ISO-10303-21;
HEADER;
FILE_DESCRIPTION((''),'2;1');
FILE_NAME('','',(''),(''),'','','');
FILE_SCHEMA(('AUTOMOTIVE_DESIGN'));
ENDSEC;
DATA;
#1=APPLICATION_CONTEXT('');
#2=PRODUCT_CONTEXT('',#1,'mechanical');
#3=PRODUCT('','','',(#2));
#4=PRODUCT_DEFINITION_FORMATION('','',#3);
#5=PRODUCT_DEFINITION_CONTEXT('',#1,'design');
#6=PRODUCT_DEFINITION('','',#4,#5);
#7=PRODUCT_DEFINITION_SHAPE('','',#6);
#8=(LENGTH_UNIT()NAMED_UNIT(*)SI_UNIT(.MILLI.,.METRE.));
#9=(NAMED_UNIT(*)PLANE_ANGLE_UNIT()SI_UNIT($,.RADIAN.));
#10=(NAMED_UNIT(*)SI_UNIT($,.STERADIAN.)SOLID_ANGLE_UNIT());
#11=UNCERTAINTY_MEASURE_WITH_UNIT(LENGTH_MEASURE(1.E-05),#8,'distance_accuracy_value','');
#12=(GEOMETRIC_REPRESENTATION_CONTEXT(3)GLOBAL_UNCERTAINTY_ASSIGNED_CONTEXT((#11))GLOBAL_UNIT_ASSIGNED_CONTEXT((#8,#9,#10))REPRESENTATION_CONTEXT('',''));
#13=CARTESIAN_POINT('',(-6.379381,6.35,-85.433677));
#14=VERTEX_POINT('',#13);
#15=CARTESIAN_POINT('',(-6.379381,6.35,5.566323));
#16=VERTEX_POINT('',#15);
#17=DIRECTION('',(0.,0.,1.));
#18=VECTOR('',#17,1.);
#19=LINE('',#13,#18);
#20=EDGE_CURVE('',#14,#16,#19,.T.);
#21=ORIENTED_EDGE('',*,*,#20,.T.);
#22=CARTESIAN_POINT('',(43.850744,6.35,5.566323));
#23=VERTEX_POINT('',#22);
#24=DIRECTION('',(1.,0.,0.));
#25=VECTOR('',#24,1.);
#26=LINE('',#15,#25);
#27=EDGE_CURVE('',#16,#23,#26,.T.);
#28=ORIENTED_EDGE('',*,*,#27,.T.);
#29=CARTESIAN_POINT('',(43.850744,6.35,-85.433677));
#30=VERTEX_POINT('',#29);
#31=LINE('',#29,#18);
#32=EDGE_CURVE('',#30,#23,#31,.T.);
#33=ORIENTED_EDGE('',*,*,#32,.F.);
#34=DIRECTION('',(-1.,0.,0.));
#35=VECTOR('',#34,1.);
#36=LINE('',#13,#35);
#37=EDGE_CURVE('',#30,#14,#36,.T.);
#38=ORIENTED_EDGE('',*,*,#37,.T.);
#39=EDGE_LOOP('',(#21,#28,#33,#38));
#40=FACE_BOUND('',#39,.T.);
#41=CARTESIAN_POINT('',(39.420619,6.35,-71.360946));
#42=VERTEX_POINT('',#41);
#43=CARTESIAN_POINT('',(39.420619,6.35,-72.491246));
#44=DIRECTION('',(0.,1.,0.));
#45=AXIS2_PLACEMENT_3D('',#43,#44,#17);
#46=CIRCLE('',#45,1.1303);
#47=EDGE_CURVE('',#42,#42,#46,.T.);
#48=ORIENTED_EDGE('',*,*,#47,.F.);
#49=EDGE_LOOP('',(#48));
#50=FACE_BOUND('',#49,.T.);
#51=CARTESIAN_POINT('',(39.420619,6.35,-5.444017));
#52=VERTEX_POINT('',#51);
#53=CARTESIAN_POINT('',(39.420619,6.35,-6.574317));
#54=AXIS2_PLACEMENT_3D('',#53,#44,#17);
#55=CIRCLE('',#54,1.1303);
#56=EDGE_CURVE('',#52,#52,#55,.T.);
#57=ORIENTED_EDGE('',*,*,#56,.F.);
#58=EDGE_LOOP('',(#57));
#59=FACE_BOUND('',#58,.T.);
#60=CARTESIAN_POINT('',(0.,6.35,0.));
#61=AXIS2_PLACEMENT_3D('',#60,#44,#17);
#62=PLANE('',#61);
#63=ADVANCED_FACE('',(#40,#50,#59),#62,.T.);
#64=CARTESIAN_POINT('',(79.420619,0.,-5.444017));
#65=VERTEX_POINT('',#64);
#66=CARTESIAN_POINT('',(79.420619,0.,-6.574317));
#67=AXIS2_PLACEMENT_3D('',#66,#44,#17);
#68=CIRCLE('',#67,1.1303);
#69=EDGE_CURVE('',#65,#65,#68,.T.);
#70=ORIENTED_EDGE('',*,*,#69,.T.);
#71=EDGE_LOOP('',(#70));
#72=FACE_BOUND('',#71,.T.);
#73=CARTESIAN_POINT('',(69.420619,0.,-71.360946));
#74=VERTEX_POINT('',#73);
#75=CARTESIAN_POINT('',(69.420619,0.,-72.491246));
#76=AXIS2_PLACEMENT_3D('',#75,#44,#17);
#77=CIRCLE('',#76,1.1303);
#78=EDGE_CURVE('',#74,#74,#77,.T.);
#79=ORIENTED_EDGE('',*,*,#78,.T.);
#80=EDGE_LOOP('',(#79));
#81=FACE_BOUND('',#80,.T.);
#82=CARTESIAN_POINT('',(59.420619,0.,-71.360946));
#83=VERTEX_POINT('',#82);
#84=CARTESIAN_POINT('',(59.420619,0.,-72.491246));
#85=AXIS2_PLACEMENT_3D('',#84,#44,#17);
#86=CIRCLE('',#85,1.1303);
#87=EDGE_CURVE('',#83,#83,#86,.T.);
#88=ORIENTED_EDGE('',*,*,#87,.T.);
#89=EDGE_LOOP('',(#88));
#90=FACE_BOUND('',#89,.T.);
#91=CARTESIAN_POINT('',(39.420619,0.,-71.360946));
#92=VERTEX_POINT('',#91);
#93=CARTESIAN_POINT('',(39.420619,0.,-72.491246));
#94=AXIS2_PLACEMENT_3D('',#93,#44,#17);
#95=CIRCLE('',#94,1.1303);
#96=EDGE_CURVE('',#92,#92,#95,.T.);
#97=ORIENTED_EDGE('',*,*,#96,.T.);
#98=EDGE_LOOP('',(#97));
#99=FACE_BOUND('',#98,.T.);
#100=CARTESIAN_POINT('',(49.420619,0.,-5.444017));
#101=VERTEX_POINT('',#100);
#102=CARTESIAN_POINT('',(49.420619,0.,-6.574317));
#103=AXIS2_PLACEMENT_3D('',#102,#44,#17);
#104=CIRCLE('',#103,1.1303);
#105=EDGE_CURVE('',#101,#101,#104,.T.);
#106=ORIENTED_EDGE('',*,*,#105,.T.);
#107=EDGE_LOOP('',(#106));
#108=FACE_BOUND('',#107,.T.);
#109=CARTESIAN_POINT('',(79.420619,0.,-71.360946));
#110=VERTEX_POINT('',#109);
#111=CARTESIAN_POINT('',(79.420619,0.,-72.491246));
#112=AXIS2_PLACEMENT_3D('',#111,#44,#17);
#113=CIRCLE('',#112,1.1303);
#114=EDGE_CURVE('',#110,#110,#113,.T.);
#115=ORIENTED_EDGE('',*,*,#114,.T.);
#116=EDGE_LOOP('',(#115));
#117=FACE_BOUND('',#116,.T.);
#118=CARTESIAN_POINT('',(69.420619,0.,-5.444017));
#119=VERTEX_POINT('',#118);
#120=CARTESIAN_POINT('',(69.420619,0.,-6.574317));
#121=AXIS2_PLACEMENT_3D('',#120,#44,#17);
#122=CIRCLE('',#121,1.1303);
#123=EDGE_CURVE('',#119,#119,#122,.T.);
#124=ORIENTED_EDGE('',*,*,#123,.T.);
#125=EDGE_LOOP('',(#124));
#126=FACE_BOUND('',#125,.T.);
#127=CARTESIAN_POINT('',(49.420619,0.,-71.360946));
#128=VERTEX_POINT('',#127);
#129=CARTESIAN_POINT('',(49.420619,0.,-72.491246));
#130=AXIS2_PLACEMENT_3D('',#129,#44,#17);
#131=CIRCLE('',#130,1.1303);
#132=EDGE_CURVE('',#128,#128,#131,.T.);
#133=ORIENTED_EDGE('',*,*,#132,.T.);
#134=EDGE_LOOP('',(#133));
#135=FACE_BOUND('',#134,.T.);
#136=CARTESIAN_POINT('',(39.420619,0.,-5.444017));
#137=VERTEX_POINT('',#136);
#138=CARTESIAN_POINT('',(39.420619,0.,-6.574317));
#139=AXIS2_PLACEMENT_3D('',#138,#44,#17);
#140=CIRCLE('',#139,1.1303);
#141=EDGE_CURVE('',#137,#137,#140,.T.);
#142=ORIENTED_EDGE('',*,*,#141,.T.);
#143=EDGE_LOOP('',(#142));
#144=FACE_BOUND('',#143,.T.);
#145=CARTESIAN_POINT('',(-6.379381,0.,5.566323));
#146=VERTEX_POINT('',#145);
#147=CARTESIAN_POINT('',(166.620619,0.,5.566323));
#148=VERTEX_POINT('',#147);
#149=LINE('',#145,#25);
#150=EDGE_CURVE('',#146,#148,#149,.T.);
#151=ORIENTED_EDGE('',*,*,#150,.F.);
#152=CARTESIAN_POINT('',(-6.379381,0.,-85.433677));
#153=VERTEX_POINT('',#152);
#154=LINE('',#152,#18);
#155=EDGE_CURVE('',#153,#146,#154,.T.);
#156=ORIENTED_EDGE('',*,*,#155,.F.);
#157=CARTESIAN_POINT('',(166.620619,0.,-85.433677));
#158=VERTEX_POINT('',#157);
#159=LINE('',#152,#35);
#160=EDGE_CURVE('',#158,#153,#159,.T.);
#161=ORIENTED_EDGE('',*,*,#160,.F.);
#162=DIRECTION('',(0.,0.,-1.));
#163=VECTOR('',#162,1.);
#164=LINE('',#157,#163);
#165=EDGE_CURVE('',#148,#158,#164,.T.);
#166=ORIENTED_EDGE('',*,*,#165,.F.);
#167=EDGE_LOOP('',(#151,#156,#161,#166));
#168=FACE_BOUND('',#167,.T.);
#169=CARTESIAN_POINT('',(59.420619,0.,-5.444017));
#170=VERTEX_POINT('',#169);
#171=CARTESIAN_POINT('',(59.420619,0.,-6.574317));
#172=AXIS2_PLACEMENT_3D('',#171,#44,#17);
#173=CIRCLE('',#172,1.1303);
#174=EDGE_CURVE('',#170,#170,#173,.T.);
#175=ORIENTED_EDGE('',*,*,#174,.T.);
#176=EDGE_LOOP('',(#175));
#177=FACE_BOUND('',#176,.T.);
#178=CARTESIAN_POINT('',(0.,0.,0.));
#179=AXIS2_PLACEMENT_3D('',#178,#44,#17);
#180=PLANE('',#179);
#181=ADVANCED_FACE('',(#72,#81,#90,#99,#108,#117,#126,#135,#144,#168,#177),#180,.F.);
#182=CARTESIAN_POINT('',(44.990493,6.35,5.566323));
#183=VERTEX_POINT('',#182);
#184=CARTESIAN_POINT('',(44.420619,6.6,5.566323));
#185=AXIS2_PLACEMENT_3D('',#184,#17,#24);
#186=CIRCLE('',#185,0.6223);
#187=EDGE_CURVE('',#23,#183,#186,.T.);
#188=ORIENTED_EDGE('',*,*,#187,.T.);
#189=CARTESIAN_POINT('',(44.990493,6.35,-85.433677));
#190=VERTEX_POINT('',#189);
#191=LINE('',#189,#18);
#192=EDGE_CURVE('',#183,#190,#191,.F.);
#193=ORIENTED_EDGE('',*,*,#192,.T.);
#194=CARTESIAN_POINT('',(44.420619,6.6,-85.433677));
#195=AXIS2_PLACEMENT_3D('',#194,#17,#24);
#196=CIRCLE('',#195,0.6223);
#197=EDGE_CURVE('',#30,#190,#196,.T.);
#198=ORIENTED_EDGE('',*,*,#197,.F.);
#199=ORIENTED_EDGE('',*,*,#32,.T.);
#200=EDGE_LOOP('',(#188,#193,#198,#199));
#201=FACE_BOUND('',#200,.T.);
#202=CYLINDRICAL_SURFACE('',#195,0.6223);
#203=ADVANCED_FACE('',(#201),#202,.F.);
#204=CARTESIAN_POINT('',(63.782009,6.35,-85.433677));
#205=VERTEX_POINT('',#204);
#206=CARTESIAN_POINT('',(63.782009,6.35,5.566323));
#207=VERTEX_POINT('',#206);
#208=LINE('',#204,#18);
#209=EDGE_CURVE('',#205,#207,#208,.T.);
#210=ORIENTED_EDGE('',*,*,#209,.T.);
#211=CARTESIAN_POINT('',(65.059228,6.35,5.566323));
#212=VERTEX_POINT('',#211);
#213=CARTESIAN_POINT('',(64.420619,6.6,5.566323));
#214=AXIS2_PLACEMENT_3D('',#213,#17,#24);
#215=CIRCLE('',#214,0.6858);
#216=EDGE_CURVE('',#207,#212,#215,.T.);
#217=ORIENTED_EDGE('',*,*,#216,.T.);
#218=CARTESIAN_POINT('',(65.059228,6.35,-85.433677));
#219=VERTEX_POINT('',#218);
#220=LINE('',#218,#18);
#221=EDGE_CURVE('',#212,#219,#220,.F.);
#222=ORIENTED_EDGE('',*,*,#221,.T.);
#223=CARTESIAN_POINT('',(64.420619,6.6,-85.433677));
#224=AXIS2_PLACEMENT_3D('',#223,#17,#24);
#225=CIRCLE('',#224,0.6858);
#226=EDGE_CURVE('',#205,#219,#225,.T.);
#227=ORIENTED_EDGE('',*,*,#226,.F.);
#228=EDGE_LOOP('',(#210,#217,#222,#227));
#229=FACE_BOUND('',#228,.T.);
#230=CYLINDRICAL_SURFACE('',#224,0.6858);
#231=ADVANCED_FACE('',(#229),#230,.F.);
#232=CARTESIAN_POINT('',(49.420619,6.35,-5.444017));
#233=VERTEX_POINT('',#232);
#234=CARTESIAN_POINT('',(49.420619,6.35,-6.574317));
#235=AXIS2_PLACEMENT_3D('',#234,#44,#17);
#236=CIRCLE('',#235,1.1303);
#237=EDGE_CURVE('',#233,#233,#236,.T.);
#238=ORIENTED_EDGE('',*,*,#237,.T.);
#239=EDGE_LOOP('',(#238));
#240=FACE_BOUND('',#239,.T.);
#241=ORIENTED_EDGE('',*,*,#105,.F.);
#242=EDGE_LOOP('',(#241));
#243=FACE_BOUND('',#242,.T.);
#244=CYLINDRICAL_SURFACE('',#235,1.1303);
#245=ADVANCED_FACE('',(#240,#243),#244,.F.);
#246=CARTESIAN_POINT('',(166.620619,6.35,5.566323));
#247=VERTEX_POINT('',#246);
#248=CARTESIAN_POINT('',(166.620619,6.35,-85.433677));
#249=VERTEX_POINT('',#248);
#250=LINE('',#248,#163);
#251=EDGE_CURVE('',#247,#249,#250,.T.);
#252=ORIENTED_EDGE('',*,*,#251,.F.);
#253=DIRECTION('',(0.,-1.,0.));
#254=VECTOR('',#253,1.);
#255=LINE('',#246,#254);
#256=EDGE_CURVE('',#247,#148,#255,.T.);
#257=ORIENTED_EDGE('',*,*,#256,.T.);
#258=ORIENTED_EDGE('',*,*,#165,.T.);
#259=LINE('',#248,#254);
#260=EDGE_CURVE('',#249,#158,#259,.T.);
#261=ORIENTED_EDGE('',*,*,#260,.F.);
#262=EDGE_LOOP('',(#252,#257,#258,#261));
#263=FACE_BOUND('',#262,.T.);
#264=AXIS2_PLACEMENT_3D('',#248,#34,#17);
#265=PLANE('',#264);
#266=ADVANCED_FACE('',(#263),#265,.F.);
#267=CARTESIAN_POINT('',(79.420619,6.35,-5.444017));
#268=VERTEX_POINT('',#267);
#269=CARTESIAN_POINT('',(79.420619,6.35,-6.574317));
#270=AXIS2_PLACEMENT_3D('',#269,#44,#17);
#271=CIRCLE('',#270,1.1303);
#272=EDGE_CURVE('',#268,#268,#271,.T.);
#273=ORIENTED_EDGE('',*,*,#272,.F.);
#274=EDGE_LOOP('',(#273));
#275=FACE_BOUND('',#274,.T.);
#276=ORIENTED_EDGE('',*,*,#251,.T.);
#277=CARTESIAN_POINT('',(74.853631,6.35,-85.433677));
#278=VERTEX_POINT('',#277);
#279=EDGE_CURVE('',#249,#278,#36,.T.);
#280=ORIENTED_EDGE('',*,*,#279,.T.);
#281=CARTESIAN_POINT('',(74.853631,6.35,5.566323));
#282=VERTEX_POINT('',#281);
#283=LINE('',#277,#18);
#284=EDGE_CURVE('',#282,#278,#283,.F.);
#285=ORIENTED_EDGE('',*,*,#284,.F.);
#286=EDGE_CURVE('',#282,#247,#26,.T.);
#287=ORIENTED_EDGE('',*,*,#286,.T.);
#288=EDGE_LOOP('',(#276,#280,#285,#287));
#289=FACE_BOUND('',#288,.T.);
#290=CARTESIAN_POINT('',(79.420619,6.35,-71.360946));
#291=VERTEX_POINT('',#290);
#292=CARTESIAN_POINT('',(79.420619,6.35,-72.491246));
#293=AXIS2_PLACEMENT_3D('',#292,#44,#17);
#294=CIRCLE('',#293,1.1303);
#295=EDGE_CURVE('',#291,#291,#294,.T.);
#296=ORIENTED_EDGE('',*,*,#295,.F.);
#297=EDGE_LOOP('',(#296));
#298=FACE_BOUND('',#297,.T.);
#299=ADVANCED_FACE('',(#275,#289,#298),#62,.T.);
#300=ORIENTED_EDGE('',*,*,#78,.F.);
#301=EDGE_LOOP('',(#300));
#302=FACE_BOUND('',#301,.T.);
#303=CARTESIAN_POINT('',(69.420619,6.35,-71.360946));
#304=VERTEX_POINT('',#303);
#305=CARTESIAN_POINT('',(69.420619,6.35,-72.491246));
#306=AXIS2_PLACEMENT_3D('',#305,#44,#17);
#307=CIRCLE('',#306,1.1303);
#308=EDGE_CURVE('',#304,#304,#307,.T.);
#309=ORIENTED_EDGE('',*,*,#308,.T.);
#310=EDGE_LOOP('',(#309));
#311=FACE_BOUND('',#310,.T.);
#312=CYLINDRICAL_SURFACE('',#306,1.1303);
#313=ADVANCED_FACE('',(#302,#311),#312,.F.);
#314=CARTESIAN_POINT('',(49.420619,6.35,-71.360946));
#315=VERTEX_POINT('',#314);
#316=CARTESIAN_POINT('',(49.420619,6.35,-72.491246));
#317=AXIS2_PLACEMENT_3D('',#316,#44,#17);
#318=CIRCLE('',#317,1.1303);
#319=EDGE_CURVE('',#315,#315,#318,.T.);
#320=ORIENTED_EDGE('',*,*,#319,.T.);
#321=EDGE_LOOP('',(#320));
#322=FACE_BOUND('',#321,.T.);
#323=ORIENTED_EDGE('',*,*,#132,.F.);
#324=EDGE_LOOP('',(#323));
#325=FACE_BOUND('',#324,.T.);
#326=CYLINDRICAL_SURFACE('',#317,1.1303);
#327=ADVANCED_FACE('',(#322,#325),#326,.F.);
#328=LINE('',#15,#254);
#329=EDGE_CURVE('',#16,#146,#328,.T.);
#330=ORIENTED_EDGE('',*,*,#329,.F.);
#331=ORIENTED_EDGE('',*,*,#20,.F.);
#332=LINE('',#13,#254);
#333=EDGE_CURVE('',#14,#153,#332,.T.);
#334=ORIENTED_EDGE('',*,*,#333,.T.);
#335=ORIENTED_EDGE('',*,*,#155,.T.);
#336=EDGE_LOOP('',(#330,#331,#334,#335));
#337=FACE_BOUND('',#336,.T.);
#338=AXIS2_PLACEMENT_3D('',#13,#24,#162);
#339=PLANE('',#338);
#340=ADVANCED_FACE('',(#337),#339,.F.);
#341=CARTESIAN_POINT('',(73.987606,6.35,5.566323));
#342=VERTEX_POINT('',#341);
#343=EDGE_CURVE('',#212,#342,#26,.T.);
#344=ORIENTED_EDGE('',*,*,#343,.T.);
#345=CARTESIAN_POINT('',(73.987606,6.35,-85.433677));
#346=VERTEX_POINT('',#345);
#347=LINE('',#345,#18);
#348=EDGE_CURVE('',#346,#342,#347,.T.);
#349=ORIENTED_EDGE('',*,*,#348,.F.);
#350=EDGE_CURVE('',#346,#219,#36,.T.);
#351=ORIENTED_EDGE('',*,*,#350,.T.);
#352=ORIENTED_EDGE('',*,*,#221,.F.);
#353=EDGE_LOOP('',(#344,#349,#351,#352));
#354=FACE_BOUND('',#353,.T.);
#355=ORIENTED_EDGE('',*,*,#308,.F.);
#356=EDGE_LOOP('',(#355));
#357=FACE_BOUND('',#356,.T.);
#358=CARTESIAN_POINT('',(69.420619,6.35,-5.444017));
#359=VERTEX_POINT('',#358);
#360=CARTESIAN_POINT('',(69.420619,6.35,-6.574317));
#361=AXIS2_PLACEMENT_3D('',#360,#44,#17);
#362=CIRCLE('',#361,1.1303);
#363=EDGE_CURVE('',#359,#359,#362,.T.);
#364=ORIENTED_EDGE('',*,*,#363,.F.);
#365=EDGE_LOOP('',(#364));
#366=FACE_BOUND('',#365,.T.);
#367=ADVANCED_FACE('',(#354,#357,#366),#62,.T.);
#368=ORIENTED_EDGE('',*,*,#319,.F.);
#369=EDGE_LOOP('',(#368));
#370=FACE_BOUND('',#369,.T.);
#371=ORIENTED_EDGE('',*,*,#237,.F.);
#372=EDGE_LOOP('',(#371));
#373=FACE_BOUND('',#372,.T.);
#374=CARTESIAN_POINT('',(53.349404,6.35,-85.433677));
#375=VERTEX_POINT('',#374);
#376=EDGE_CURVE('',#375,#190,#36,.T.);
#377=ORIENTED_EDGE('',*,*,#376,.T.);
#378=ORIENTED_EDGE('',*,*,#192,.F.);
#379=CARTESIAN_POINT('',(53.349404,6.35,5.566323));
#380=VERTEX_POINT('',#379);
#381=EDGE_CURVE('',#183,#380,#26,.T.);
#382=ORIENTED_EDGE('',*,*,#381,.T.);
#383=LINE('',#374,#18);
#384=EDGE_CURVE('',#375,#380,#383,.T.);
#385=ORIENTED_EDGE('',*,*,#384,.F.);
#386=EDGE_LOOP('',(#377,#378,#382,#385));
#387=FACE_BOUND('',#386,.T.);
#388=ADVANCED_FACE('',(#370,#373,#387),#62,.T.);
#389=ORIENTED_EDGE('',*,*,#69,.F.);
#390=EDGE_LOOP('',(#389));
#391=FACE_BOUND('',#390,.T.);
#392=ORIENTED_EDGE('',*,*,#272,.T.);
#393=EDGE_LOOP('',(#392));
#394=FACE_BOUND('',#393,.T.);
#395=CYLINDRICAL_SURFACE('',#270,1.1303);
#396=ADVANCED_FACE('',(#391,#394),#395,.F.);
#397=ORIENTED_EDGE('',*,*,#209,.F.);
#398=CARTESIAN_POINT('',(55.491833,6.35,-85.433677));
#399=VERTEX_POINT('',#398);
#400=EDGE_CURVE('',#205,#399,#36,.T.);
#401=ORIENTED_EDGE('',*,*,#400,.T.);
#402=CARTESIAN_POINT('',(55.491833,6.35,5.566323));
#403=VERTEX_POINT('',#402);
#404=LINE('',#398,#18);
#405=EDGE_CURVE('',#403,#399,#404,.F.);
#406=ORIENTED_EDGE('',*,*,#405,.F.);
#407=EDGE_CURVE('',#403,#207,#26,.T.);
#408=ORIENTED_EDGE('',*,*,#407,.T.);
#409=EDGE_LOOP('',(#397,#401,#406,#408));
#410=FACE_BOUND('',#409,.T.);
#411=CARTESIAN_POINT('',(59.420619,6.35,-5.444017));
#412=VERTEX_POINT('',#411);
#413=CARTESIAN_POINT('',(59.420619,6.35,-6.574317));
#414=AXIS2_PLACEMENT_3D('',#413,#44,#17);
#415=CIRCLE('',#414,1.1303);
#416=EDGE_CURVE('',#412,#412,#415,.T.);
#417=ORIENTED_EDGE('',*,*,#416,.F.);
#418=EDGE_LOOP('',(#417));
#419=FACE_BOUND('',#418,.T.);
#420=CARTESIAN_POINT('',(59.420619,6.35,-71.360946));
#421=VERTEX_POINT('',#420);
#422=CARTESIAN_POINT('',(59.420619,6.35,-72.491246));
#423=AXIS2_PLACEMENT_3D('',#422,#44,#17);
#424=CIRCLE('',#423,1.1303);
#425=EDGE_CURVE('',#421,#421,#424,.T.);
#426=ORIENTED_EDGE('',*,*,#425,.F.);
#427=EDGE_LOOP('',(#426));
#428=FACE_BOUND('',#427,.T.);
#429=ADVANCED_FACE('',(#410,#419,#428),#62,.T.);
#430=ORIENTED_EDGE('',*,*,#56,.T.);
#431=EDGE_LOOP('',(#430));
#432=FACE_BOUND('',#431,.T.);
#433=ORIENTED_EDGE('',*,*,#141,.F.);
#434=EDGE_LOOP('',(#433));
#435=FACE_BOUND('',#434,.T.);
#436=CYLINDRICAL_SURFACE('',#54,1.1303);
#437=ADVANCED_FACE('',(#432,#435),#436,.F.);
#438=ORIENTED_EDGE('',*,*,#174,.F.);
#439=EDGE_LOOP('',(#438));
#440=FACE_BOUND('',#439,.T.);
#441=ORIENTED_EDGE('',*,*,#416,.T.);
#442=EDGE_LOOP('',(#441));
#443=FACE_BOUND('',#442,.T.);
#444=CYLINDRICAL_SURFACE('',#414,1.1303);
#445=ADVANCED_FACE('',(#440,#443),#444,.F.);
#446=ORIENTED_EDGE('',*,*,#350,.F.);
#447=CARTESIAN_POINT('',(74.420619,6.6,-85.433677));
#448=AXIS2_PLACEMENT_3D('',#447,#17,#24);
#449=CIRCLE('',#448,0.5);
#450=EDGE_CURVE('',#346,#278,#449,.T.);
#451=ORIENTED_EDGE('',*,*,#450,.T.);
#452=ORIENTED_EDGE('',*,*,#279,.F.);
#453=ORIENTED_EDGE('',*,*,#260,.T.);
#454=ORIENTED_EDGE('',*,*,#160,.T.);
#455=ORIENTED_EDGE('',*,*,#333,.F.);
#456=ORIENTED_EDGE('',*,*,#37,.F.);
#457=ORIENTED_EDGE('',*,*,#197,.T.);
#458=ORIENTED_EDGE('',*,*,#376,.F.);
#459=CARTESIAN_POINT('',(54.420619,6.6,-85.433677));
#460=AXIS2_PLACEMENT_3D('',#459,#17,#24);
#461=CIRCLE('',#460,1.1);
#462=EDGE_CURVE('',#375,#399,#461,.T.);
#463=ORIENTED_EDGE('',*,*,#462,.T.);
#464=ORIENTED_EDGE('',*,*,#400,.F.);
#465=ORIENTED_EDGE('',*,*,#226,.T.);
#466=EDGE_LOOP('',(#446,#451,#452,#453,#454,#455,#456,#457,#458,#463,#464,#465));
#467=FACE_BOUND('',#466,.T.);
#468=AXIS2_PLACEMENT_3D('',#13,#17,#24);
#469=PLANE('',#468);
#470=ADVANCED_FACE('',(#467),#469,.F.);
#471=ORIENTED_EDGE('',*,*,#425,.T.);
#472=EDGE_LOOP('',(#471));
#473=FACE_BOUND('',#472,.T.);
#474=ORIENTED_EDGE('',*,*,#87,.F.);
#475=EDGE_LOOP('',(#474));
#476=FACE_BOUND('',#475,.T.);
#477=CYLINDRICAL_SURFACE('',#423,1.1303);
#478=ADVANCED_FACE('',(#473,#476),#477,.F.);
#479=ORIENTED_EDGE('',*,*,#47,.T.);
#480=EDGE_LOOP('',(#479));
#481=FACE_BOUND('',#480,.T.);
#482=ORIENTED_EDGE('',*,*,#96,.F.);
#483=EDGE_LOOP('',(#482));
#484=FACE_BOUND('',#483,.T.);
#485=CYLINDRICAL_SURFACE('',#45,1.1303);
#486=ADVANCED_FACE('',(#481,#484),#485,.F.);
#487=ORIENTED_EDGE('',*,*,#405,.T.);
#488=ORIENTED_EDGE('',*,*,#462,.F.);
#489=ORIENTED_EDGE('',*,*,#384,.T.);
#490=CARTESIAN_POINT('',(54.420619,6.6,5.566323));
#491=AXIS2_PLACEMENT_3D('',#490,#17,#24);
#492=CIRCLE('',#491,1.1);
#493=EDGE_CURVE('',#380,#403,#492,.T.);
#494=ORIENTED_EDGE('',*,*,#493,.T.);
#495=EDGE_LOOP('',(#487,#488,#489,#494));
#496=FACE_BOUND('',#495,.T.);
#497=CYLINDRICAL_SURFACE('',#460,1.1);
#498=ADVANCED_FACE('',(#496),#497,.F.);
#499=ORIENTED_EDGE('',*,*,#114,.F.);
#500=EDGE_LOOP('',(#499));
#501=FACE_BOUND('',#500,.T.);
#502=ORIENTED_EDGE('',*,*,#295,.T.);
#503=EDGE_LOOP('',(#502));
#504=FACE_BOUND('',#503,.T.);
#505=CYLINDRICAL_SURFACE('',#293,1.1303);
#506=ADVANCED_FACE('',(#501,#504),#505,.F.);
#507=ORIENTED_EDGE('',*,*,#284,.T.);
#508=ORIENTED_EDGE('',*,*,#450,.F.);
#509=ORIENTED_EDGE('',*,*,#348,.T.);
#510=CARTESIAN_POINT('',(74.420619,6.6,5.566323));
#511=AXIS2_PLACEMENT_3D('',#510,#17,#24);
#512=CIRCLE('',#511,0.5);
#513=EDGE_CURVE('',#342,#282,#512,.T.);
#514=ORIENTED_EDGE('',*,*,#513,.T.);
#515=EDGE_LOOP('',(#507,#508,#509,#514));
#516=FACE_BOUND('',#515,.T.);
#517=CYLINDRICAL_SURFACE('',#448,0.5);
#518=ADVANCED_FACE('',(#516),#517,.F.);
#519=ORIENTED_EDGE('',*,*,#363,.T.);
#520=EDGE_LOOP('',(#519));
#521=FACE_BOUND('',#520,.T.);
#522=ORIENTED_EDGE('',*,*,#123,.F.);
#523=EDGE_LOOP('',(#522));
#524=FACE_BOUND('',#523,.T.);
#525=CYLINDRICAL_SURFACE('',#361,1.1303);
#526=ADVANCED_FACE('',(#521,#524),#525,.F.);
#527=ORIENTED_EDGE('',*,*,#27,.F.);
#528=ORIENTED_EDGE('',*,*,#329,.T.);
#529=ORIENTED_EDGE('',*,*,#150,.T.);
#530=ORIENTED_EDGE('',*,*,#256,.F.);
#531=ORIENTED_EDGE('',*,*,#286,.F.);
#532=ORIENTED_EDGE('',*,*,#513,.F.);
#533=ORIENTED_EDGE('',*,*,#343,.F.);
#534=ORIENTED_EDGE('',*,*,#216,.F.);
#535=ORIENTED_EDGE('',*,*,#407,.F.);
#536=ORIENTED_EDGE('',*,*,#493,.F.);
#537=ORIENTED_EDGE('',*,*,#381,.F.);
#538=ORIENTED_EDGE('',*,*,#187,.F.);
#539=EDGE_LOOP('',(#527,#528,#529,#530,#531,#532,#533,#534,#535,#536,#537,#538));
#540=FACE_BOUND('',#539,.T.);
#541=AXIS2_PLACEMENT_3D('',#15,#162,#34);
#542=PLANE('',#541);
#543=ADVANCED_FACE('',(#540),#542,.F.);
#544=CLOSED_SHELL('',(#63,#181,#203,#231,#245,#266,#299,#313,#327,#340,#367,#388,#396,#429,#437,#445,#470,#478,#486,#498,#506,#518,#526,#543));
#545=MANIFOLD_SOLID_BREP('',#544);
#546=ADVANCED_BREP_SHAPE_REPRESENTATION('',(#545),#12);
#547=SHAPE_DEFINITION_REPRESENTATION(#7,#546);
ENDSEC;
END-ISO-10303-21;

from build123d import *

# Parameters (mm, degrees)
SKETCH1_W             = 173
SKETCH1_H             = 91
BOSS_EXTRUDE1_DEPTH   = 6.35
SKETCH2_R             = 0.6223
SKETCH2_R_2           = 1.1
SKETCH2_R_3           = 0.6858
SKETCH2_R_4           = 0.5
CUT_EXTRUDE1_DEPTH    = 92
F_4_40_TAPPED_HOLE1_D = 2.2606


with BuildPart() as part:
    # Sketch1 → Boss-Extrude1 (new body)
    with BuildSketch(Plane(origin=(0, 0, 0), x_dir=(1, 0, 0), z_dir=(0, 1, 0))):
        with Locations((80.120618557, 39.933676976)):
            Rectangle(SKETCH1_W, SKETCH1_H)
    extrude(amount=BOSS_EXTRUDE1_DEPTH)

    # Sketch2 → Cut-Extrude1 (cut, through all)
    with BuildSketch(Plane.XY.offset(5.566323024)):
        with Locations((44.420618557, 6.6)):
            Circle(SKETCH2_R)
        with Locations((54.420618557, 6.6)):
            Circle(SKETCH2_R_2)
        with Locations((64.420618557, 6.6)):
            Circle(SKETCH2_R_3)
        with Locations((74.420618557, 6.6)):
            Circle(SKETCH2_R_4)
    extrude(amount=-CUT_EXTRUDE1_DEPTH, mode=Mode.SUBTRACT)

    # #4-40 Tapped Hole1 (through all)
    with Locations(Plane(origin=(0, 6.35, 0), x_dir=(1, 0, 0), z_dir=(0, 1, 0))):
        with Locations((39.420618557, 72.491246031), (59.420618557, 72.491246031), (49.420618557, 72.491246031), (49.420618557, 6.5743166), (39.420618557, 6.5743166), (59.420618557, 6.5743166), (69.420618557, 72.491246031), (79.420618557, 72.491246031), (69.420618557, 6.5743166), (79.420618557, 6.5743166)):
            Hole(F_4_40_TAPPED_HOLE1_D / 2)


solid = part.part
